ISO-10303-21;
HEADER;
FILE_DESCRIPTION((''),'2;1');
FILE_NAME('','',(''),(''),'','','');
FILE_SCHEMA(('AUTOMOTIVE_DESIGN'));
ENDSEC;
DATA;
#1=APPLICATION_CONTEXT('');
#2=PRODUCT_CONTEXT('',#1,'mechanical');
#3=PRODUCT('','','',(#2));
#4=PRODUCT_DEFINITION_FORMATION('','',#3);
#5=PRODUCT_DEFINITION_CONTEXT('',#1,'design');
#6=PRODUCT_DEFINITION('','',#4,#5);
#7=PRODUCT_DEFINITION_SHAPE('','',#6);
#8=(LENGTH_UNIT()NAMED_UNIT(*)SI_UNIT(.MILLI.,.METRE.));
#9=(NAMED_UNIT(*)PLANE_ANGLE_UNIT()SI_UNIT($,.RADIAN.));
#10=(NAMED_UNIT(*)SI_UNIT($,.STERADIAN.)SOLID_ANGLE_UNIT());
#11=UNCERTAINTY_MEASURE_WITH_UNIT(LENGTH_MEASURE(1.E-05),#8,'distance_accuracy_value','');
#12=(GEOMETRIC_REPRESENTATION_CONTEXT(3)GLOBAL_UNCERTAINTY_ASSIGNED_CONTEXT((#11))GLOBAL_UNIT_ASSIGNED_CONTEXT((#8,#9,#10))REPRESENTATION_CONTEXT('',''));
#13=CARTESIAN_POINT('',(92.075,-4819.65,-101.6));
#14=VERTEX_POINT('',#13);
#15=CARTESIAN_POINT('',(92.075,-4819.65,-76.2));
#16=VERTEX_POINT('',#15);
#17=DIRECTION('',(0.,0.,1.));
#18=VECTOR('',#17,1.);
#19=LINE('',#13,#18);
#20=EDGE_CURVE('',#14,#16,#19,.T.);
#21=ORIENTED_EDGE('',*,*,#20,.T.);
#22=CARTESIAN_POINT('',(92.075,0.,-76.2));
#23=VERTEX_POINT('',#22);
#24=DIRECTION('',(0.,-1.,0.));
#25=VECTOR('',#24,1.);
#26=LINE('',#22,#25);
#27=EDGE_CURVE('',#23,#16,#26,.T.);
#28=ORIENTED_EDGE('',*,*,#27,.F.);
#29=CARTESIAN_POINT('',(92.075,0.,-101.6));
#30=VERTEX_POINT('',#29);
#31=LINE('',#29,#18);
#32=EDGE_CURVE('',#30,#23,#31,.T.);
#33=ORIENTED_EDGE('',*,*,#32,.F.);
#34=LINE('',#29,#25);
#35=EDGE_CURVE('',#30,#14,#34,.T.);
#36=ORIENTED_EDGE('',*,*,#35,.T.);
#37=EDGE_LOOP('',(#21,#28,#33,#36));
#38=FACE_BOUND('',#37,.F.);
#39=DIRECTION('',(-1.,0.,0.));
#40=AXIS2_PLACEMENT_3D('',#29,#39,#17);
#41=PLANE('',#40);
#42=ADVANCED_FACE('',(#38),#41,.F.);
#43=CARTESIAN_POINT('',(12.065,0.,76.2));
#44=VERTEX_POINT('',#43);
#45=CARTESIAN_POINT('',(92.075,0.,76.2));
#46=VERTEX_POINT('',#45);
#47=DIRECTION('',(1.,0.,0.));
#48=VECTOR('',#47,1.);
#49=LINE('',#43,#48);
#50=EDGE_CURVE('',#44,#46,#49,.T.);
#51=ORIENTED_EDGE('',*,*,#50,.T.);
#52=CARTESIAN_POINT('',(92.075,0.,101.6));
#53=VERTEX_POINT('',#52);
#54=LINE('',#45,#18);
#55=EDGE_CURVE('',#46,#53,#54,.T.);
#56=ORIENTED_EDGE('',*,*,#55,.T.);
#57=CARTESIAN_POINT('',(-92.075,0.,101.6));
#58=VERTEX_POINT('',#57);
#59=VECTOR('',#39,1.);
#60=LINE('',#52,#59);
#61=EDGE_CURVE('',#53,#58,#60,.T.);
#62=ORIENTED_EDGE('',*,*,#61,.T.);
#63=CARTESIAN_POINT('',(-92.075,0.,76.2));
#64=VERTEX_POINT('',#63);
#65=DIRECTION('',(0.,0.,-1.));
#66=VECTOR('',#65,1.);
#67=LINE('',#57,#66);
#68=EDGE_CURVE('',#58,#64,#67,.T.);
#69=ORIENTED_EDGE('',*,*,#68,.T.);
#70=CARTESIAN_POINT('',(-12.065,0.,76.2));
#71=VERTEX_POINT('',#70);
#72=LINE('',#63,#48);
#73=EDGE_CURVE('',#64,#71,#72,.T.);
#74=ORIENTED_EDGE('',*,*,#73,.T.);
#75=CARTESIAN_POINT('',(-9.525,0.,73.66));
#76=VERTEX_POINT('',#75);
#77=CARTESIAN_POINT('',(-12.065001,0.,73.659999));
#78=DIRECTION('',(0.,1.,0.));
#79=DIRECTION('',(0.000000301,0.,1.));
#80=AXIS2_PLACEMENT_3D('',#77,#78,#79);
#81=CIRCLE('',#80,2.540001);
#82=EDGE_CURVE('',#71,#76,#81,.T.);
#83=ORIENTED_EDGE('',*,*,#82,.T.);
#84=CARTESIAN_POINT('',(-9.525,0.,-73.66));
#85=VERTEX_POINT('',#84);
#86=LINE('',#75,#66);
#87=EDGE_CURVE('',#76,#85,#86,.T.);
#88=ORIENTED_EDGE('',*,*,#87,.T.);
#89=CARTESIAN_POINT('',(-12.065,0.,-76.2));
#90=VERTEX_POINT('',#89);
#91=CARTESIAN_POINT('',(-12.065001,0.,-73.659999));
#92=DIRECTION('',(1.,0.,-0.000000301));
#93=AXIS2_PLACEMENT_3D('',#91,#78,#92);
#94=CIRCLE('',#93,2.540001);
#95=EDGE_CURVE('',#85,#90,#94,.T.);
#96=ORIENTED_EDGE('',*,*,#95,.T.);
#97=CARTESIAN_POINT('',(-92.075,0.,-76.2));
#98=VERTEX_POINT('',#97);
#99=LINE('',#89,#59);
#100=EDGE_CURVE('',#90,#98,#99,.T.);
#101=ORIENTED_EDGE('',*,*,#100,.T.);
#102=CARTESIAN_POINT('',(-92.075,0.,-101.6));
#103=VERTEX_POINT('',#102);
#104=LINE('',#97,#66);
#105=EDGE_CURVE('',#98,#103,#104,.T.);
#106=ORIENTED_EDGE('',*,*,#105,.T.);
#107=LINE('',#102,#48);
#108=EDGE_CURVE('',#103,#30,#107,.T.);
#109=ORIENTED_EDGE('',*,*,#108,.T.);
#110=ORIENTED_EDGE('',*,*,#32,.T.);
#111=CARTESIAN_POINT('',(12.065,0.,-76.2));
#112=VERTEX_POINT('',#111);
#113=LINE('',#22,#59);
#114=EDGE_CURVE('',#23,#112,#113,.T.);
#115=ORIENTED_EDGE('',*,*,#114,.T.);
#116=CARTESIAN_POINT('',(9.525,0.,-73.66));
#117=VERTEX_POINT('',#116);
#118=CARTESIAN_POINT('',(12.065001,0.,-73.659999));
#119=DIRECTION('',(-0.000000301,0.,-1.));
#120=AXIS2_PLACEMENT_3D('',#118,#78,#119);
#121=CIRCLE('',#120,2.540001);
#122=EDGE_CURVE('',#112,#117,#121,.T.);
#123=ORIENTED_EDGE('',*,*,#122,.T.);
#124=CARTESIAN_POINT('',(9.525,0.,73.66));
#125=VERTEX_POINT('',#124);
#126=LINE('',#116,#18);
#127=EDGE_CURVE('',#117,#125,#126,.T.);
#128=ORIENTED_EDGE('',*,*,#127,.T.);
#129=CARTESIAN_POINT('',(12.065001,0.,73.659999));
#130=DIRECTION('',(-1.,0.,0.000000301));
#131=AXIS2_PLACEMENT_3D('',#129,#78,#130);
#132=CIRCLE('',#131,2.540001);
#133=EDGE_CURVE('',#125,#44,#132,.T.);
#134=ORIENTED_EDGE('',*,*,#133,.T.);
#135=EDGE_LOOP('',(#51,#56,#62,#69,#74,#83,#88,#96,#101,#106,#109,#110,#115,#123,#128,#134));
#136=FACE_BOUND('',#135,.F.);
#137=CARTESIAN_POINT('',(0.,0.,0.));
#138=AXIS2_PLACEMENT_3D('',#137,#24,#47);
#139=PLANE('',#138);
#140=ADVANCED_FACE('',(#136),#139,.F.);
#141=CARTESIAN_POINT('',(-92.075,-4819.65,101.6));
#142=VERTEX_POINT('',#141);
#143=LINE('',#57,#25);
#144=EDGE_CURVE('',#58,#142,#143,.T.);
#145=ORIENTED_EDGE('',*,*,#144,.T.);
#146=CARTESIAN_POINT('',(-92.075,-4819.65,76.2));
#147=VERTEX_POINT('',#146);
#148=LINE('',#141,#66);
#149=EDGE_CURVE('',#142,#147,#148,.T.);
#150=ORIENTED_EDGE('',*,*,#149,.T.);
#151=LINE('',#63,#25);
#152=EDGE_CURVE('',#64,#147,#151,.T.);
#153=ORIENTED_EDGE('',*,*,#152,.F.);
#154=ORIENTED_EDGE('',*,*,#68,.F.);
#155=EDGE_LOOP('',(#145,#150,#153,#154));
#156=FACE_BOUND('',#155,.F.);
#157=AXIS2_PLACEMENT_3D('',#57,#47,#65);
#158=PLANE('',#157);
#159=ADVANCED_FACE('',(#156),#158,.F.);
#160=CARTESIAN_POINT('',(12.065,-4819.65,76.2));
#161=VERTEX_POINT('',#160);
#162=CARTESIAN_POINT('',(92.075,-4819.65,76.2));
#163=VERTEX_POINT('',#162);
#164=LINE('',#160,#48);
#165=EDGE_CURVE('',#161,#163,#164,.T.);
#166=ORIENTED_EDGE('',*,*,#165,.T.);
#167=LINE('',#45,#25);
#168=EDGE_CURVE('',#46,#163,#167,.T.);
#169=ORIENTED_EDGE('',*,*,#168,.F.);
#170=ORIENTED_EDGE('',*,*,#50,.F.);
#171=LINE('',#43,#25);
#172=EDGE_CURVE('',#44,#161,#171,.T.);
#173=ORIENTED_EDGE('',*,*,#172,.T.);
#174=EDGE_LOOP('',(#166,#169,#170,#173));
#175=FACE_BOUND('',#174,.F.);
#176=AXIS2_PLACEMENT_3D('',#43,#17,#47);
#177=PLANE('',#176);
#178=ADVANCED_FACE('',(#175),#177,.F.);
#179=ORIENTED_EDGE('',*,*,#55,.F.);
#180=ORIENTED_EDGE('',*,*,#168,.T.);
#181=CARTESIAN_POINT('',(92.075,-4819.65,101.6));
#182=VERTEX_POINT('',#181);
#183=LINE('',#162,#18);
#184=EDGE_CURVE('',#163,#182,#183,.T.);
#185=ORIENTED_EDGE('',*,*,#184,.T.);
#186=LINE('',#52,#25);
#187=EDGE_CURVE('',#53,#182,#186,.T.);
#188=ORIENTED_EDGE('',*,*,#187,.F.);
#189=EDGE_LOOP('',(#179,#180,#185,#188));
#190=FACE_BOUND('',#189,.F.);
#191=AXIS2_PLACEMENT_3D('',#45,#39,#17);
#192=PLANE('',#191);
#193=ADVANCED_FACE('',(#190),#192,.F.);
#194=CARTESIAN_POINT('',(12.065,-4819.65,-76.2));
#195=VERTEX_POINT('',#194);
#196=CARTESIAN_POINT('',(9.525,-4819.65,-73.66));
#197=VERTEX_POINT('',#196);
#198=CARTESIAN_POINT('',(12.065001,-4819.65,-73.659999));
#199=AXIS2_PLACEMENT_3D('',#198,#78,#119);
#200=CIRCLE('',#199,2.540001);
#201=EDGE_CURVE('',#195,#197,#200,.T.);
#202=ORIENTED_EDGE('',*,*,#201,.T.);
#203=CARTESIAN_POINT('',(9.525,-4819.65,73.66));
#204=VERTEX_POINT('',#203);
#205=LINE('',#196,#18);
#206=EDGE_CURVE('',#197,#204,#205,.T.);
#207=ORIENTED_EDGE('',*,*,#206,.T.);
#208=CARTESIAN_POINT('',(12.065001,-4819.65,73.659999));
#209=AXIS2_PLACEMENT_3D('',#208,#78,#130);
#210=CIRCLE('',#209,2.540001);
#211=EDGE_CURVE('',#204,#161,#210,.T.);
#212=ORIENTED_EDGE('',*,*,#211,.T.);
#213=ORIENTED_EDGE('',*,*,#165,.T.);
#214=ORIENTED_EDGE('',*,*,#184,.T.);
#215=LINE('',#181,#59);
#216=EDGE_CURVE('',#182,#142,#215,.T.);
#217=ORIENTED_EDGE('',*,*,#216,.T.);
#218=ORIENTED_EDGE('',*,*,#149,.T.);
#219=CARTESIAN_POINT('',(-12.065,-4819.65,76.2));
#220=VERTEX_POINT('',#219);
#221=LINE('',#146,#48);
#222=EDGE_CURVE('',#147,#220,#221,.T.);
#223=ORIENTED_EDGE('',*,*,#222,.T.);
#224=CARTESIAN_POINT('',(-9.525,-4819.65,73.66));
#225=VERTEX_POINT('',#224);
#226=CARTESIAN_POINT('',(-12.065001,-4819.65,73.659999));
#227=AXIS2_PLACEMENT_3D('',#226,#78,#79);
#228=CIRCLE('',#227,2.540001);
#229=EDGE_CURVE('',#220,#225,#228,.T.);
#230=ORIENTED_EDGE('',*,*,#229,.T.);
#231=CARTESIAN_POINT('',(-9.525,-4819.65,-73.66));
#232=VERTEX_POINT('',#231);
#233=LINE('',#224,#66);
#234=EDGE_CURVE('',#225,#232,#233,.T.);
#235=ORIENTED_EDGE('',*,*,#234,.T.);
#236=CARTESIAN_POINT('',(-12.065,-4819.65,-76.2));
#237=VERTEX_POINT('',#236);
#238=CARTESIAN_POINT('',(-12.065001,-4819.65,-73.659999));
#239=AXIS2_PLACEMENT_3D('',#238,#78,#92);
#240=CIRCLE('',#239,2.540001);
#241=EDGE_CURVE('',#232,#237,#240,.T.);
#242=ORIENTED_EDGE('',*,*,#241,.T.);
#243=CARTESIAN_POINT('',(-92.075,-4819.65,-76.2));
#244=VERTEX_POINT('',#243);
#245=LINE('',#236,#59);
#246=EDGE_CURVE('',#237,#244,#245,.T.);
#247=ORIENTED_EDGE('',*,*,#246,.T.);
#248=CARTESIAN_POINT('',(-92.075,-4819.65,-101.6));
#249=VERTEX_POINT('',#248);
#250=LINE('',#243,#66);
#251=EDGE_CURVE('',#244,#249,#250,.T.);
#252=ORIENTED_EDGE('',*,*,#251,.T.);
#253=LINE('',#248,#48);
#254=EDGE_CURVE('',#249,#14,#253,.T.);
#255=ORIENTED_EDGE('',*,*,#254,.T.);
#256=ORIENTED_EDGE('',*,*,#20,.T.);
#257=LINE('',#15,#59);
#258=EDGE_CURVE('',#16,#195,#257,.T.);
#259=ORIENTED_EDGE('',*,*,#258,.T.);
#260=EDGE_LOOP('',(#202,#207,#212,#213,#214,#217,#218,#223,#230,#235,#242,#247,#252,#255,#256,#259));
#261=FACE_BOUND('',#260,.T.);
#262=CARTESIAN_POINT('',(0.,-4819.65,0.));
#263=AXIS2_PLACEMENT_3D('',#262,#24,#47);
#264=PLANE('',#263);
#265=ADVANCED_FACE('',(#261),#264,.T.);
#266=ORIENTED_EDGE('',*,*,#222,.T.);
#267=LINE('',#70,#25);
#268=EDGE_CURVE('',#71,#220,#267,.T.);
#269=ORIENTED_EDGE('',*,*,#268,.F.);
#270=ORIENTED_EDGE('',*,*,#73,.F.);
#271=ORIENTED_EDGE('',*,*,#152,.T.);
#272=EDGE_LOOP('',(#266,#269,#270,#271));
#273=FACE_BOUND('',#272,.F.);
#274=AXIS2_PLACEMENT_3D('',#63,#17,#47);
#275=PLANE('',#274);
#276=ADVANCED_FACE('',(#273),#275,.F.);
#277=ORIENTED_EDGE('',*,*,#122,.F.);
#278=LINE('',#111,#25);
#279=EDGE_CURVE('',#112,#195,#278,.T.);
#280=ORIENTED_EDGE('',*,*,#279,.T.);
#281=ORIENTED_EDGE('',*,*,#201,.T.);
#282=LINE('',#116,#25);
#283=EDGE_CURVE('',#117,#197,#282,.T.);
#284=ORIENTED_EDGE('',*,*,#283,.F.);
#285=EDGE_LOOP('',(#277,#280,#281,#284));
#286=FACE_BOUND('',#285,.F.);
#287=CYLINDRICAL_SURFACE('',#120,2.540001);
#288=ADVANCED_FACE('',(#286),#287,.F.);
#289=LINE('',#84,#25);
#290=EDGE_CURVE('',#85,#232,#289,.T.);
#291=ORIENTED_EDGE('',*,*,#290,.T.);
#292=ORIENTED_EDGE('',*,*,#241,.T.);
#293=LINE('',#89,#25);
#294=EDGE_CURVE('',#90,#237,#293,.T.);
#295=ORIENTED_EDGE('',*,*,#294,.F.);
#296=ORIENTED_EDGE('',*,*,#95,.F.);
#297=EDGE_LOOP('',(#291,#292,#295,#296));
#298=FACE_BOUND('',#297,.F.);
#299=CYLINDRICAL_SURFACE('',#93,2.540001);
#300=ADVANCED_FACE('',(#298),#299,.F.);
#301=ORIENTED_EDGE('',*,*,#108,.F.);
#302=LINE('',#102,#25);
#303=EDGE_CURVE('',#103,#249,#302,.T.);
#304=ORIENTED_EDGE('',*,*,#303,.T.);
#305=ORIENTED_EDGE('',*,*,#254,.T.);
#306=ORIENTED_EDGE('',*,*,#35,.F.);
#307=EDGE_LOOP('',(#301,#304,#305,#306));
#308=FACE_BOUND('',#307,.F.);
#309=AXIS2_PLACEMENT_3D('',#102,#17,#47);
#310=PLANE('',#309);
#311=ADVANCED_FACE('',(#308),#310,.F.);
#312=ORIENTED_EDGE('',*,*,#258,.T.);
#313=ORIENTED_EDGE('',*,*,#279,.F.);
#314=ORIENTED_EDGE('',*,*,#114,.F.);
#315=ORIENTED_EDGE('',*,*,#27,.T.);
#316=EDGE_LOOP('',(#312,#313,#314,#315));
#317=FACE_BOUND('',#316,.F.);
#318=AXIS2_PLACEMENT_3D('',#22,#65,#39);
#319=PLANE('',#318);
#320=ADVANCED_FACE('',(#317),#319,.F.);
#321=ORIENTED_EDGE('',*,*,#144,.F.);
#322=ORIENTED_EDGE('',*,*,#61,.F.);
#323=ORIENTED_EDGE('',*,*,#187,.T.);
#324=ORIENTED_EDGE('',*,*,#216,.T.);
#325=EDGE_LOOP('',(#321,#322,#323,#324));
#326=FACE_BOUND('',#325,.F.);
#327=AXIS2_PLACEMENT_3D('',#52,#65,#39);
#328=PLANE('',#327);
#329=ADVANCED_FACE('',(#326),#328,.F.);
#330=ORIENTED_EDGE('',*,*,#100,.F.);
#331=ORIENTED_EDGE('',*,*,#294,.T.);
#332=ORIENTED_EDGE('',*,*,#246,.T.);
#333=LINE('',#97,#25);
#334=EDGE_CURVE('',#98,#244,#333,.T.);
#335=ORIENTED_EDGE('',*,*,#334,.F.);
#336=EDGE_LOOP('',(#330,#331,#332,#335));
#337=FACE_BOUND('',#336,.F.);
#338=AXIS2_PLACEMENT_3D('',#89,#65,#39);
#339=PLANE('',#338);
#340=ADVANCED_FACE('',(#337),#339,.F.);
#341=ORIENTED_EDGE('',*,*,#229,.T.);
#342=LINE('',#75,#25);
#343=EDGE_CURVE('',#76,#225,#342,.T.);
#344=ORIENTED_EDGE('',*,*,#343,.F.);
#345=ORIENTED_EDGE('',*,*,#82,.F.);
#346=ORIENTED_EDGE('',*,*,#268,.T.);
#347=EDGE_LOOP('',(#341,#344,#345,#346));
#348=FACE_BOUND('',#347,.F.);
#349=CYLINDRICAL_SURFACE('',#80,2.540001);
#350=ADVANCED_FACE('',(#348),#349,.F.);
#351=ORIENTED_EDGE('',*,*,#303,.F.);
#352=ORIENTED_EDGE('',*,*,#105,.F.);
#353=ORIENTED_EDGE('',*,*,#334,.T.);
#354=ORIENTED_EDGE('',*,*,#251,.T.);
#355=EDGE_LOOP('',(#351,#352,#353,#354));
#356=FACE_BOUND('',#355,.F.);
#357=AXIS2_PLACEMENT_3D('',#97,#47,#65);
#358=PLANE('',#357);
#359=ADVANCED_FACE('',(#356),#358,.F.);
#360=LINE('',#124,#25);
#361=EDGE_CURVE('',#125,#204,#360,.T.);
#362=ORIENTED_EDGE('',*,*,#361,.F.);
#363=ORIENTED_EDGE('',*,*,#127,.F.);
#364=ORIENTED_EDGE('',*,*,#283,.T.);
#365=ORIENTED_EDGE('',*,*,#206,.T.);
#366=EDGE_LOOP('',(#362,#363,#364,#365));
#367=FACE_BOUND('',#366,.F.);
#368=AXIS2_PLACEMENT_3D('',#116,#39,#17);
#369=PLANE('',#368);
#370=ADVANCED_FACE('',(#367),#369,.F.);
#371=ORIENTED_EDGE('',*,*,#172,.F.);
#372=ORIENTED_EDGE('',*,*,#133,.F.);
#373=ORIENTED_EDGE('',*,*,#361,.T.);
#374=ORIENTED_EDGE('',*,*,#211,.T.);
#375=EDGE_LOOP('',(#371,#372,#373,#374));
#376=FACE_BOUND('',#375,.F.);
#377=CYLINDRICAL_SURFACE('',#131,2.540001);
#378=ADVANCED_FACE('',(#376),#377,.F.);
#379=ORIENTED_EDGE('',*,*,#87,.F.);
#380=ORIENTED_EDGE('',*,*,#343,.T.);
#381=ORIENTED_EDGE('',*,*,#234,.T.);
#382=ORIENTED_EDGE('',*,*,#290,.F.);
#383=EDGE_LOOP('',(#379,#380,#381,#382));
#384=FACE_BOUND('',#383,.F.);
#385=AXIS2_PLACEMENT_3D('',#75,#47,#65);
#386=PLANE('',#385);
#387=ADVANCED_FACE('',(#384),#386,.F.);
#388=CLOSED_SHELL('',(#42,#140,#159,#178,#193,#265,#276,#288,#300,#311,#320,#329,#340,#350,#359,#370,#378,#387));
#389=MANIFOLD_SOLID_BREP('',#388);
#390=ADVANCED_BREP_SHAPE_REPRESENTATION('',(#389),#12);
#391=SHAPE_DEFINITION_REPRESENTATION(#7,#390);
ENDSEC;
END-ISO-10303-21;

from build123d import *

# Parameters (mm, degrees)
F1_DEPTH = 4819.65


with BuildPart() as f1:
    # F0 (on Front) → F1 (new body)
    with BuildSketch(Plane.XZ):
        with BuildLine():
            Line((92.075, -101.6), (92.075, -76.2))
            Line((92.075, -76.2), (12.065, -76.2))
            ThreePointArc((12.065, -76.2), (10.268949, -75.456051), (9.525, -73.66))
            Line((9.525, -73.66), (9.525, 73.66))
            ThreePointArc((9.525, 73.66), (10.268949, 75.456051), (12.065, 76.2))
            Line((12.065, 76.2), (92.075, 76.2))
            Line((92.075, 76.2), (92.075, 101.6))
            Line((92.075, 101.6), (-92.075, 101.6))
            Line((-92.075, 101.6), (-92.075, 76.2))
            Line((-92.075, 76.2), (-12.065, 76.2))
            ThreePointArc((-12.065, 76.2), (-10.268949, 75.456051), (-9.525, 73.66))
            Line((-9.525, 73.66), (-9.525, -73.66))
            ThreePointArc((-9.525, -73.66), (-10.268949, -75.456051), (-12.065, -76.2))
            Line((-12.065, -76.2), (-92.075, -76.2))
            Line((-92.075, -76.2), (-92.075, -101.6))
            Line((-92.075, -101.6), (92.075, -101.6))
        make_face()
    extrude(amount=F1_DEPTH)


solid = f1.part
